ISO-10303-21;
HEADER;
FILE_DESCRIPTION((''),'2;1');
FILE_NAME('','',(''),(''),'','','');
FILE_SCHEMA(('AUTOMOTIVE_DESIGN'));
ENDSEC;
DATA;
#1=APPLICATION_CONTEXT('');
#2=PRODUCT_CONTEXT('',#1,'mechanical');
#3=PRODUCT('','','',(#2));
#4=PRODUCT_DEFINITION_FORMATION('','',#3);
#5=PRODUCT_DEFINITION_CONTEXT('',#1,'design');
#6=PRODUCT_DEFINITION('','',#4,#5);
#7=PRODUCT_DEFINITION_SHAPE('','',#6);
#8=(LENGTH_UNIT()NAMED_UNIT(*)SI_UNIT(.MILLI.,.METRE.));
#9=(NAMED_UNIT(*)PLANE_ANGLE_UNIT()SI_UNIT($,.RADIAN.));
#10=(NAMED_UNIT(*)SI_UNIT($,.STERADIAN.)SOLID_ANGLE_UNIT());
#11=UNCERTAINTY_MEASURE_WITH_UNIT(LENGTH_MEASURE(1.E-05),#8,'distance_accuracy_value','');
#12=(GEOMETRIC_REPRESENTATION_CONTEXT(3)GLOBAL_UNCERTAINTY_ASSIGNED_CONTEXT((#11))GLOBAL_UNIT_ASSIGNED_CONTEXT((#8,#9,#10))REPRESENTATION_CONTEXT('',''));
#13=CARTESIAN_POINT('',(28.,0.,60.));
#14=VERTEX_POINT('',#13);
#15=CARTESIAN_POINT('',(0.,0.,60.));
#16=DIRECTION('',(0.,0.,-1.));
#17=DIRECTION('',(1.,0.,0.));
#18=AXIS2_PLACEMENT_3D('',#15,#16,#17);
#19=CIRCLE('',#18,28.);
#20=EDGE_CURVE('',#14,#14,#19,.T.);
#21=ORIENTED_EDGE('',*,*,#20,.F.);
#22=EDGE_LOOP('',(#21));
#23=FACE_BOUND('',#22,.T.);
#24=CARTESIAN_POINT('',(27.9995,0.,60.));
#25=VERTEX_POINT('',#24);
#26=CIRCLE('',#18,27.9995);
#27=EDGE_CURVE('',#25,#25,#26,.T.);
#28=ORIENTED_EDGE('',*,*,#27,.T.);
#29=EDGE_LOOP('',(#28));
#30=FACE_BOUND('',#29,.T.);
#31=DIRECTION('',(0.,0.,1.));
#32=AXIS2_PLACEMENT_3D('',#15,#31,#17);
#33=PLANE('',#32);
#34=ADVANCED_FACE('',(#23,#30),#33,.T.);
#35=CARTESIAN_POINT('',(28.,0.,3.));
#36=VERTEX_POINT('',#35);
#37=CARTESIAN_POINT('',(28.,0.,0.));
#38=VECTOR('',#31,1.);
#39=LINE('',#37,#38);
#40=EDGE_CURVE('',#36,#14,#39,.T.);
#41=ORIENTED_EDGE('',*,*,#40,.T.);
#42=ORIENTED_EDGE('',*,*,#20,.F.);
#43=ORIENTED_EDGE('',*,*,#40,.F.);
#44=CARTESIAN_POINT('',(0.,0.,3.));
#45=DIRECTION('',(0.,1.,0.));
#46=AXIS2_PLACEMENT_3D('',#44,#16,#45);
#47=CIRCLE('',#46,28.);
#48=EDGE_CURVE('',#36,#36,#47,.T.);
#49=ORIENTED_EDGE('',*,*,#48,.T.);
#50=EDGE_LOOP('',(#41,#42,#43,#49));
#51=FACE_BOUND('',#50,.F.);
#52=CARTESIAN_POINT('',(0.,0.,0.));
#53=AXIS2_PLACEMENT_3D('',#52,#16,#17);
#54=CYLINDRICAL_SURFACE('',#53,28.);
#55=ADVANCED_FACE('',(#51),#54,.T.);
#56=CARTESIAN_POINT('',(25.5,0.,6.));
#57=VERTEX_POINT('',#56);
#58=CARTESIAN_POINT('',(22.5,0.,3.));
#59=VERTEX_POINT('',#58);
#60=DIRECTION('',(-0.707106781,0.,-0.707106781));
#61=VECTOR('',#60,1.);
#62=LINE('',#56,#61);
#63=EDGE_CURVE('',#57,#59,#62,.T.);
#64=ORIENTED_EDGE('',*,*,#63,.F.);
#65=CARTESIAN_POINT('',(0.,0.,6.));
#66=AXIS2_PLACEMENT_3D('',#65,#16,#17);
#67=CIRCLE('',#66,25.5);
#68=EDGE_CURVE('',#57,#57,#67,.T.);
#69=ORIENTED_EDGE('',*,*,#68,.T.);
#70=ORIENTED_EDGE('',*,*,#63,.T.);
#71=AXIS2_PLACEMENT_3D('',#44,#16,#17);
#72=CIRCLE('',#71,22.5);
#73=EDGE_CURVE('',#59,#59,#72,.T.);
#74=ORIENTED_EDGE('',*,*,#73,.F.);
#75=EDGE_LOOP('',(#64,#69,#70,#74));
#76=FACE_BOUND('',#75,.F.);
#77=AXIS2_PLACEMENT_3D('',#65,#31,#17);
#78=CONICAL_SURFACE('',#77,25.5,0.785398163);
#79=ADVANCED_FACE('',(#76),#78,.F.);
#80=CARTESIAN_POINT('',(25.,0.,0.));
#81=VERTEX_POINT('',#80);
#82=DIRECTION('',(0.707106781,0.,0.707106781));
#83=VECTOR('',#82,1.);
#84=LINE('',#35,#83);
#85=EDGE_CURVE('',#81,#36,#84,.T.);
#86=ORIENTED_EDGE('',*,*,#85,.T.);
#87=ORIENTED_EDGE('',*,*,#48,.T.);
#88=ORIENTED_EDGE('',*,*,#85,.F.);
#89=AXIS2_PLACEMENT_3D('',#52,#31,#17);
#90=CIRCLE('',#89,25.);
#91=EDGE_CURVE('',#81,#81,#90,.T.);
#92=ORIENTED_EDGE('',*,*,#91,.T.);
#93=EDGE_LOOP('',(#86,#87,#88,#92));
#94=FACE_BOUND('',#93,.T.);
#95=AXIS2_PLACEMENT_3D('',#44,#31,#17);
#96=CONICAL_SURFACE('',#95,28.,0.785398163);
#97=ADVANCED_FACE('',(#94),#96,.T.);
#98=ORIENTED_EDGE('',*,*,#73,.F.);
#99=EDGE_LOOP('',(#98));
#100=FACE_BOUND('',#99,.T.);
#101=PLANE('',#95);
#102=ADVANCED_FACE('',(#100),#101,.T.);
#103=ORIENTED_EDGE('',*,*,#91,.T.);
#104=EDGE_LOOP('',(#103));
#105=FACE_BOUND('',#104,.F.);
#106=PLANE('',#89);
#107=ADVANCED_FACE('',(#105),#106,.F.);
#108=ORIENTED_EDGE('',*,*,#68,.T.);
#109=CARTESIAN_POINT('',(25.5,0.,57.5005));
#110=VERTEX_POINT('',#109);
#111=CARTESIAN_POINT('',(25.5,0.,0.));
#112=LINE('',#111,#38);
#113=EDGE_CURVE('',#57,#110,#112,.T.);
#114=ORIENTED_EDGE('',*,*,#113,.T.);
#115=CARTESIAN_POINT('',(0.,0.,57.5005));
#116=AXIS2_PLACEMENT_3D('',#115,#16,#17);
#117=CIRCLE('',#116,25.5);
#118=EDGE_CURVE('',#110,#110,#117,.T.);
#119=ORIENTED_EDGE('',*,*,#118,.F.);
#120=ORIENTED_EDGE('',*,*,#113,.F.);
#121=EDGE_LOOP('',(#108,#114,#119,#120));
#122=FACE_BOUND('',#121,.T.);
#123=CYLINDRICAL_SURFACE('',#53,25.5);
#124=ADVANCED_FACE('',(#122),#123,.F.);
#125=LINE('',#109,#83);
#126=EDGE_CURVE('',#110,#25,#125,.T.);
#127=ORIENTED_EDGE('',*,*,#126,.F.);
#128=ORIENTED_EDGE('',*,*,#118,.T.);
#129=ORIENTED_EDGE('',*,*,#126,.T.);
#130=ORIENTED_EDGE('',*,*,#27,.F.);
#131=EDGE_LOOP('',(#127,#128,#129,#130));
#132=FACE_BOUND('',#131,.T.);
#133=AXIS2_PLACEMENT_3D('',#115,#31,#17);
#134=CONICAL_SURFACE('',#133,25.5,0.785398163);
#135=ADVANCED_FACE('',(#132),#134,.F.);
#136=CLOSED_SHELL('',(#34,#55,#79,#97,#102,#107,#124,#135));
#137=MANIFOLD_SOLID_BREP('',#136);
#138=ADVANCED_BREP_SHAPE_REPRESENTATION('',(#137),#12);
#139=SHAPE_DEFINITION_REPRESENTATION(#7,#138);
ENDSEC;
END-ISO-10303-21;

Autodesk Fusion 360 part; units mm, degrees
sketch "Sketch1" plane through (0, 0, 0) normal (0, 0, 1) x (1, 0, 0)
  circle A0 centre (0, 0) radius 25
  circle A1 centre (0, 0) radius 28
  dimension "d4" = 50
  dimension "d5" = 56
extrude "Extrude1" add sketch "Sketch1" along normal blind 3 contours A0
extrude "Extrude2" add sketch "Sketch1" along normal blind 60
chamfer "Chamfer2" distance 3 angle 45 1 edges at (-26.1052, -10.1252, 0)
move_face "OffsetFaces1" offset -0.5 1 faces at (24.8758, -2.4892, 22)
chamfer "Chamfer3" distance 3 angle 45 1 edges at (-23.7743, -9.2212, 3)
chamfer "Chamfer4" distance 2.5 angle 45 1 edges at (-23.7743, 9.2212, 60)
equation "wall_thinkness = 3 mm"
equation "pot_height = 60 mm"
equation "pot_diameter = 50 mm"
equation "d4 = pot_diameter"
equation "d5 = pot_diameter + ( 2 * wall_thinkness )"
equation "d6 = wall_thinkness"
equation "d8 = pot_height"
equation "pot_bottom_outer_fillet = 10 mm"
equation "pot_finger_cutout_num = 2"
equation "pot_finger_cutout_width = 20 mm"
equation "pot_finger_cutout_height = 7 mm"
